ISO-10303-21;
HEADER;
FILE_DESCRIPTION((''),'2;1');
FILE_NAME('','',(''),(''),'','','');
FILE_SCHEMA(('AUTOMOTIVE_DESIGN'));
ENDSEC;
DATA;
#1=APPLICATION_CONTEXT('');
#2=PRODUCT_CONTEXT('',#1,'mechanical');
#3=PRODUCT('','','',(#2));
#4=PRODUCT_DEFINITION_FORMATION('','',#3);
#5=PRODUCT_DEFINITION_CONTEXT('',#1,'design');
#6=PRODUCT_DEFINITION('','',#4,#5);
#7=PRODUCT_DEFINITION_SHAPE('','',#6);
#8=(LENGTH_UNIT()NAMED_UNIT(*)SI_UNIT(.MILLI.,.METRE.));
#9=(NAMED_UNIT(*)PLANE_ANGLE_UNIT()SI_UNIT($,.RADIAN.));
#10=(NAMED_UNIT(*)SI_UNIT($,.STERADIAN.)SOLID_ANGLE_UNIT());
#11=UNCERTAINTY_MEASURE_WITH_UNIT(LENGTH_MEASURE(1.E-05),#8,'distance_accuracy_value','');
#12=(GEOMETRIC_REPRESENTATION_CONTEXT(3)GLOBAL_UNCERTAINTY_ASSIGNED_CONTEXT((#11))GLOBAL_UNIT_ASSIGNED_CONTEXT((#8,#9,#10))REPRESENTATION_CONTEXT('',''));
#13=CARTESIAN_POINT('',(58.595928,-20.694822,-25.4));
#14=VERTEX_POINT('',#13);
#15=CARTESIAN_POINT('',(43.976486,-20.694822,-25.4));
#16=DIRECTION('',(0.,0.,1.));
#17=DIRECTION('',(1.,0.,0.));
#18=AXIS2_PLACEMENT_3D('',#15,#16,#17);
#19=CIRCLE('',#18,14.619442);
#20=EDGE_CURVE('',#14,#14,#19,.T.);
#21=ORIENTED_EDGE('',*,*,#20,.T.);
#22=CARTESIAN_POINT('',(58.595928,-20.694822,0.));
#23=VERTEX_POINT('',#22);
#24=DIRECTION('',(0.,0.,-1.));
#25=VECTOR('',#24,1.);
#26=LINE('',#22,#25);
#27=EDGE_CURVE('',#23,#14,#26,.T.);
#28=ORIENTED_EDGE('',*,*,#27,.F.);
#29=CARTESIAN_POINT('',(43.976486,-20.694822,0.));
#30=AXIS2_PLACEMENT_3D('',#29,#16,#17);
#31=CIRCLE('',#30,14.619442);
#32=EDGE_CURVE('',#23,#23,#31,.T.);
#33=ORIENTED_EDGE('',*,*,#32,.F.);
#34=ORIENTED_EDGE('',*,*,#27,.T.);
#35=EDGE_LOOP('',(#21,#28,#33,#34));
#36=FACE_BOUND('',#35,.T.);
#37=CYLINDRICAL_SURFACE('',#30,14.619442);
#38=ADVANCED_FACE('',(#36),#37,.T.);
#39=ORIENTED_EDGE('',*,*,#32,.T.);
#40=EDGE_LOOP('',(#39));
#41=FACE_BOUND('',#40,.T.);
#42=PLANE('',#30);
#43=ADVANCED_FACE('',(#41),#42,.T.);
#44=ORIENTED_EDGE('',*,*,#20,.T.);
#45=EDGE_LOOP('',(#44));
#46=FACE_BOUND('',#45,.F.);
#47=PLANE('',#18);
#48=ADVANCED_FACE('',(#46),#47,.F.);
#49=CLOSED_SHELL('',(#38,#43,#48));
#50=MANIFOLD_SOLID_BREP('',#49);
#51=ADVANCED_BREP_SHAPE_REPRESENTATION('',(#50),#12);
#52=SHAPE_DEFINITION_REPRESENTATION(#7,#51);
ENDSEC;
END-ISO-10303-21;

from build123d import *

# Parameters (mm, degrees)
F0_R     = 14.619442
F1_DEPTH = 25.4


with BuildPart() as f1:
    # F0 (on Top) → F1 (new body)
    with BuildSketch(Plane.XY):
        with Locations((43.976486, -20.694822)):
            Circle(F0_R)
    extrude(amount=-F1_DEPTH)


solid = f1.part
